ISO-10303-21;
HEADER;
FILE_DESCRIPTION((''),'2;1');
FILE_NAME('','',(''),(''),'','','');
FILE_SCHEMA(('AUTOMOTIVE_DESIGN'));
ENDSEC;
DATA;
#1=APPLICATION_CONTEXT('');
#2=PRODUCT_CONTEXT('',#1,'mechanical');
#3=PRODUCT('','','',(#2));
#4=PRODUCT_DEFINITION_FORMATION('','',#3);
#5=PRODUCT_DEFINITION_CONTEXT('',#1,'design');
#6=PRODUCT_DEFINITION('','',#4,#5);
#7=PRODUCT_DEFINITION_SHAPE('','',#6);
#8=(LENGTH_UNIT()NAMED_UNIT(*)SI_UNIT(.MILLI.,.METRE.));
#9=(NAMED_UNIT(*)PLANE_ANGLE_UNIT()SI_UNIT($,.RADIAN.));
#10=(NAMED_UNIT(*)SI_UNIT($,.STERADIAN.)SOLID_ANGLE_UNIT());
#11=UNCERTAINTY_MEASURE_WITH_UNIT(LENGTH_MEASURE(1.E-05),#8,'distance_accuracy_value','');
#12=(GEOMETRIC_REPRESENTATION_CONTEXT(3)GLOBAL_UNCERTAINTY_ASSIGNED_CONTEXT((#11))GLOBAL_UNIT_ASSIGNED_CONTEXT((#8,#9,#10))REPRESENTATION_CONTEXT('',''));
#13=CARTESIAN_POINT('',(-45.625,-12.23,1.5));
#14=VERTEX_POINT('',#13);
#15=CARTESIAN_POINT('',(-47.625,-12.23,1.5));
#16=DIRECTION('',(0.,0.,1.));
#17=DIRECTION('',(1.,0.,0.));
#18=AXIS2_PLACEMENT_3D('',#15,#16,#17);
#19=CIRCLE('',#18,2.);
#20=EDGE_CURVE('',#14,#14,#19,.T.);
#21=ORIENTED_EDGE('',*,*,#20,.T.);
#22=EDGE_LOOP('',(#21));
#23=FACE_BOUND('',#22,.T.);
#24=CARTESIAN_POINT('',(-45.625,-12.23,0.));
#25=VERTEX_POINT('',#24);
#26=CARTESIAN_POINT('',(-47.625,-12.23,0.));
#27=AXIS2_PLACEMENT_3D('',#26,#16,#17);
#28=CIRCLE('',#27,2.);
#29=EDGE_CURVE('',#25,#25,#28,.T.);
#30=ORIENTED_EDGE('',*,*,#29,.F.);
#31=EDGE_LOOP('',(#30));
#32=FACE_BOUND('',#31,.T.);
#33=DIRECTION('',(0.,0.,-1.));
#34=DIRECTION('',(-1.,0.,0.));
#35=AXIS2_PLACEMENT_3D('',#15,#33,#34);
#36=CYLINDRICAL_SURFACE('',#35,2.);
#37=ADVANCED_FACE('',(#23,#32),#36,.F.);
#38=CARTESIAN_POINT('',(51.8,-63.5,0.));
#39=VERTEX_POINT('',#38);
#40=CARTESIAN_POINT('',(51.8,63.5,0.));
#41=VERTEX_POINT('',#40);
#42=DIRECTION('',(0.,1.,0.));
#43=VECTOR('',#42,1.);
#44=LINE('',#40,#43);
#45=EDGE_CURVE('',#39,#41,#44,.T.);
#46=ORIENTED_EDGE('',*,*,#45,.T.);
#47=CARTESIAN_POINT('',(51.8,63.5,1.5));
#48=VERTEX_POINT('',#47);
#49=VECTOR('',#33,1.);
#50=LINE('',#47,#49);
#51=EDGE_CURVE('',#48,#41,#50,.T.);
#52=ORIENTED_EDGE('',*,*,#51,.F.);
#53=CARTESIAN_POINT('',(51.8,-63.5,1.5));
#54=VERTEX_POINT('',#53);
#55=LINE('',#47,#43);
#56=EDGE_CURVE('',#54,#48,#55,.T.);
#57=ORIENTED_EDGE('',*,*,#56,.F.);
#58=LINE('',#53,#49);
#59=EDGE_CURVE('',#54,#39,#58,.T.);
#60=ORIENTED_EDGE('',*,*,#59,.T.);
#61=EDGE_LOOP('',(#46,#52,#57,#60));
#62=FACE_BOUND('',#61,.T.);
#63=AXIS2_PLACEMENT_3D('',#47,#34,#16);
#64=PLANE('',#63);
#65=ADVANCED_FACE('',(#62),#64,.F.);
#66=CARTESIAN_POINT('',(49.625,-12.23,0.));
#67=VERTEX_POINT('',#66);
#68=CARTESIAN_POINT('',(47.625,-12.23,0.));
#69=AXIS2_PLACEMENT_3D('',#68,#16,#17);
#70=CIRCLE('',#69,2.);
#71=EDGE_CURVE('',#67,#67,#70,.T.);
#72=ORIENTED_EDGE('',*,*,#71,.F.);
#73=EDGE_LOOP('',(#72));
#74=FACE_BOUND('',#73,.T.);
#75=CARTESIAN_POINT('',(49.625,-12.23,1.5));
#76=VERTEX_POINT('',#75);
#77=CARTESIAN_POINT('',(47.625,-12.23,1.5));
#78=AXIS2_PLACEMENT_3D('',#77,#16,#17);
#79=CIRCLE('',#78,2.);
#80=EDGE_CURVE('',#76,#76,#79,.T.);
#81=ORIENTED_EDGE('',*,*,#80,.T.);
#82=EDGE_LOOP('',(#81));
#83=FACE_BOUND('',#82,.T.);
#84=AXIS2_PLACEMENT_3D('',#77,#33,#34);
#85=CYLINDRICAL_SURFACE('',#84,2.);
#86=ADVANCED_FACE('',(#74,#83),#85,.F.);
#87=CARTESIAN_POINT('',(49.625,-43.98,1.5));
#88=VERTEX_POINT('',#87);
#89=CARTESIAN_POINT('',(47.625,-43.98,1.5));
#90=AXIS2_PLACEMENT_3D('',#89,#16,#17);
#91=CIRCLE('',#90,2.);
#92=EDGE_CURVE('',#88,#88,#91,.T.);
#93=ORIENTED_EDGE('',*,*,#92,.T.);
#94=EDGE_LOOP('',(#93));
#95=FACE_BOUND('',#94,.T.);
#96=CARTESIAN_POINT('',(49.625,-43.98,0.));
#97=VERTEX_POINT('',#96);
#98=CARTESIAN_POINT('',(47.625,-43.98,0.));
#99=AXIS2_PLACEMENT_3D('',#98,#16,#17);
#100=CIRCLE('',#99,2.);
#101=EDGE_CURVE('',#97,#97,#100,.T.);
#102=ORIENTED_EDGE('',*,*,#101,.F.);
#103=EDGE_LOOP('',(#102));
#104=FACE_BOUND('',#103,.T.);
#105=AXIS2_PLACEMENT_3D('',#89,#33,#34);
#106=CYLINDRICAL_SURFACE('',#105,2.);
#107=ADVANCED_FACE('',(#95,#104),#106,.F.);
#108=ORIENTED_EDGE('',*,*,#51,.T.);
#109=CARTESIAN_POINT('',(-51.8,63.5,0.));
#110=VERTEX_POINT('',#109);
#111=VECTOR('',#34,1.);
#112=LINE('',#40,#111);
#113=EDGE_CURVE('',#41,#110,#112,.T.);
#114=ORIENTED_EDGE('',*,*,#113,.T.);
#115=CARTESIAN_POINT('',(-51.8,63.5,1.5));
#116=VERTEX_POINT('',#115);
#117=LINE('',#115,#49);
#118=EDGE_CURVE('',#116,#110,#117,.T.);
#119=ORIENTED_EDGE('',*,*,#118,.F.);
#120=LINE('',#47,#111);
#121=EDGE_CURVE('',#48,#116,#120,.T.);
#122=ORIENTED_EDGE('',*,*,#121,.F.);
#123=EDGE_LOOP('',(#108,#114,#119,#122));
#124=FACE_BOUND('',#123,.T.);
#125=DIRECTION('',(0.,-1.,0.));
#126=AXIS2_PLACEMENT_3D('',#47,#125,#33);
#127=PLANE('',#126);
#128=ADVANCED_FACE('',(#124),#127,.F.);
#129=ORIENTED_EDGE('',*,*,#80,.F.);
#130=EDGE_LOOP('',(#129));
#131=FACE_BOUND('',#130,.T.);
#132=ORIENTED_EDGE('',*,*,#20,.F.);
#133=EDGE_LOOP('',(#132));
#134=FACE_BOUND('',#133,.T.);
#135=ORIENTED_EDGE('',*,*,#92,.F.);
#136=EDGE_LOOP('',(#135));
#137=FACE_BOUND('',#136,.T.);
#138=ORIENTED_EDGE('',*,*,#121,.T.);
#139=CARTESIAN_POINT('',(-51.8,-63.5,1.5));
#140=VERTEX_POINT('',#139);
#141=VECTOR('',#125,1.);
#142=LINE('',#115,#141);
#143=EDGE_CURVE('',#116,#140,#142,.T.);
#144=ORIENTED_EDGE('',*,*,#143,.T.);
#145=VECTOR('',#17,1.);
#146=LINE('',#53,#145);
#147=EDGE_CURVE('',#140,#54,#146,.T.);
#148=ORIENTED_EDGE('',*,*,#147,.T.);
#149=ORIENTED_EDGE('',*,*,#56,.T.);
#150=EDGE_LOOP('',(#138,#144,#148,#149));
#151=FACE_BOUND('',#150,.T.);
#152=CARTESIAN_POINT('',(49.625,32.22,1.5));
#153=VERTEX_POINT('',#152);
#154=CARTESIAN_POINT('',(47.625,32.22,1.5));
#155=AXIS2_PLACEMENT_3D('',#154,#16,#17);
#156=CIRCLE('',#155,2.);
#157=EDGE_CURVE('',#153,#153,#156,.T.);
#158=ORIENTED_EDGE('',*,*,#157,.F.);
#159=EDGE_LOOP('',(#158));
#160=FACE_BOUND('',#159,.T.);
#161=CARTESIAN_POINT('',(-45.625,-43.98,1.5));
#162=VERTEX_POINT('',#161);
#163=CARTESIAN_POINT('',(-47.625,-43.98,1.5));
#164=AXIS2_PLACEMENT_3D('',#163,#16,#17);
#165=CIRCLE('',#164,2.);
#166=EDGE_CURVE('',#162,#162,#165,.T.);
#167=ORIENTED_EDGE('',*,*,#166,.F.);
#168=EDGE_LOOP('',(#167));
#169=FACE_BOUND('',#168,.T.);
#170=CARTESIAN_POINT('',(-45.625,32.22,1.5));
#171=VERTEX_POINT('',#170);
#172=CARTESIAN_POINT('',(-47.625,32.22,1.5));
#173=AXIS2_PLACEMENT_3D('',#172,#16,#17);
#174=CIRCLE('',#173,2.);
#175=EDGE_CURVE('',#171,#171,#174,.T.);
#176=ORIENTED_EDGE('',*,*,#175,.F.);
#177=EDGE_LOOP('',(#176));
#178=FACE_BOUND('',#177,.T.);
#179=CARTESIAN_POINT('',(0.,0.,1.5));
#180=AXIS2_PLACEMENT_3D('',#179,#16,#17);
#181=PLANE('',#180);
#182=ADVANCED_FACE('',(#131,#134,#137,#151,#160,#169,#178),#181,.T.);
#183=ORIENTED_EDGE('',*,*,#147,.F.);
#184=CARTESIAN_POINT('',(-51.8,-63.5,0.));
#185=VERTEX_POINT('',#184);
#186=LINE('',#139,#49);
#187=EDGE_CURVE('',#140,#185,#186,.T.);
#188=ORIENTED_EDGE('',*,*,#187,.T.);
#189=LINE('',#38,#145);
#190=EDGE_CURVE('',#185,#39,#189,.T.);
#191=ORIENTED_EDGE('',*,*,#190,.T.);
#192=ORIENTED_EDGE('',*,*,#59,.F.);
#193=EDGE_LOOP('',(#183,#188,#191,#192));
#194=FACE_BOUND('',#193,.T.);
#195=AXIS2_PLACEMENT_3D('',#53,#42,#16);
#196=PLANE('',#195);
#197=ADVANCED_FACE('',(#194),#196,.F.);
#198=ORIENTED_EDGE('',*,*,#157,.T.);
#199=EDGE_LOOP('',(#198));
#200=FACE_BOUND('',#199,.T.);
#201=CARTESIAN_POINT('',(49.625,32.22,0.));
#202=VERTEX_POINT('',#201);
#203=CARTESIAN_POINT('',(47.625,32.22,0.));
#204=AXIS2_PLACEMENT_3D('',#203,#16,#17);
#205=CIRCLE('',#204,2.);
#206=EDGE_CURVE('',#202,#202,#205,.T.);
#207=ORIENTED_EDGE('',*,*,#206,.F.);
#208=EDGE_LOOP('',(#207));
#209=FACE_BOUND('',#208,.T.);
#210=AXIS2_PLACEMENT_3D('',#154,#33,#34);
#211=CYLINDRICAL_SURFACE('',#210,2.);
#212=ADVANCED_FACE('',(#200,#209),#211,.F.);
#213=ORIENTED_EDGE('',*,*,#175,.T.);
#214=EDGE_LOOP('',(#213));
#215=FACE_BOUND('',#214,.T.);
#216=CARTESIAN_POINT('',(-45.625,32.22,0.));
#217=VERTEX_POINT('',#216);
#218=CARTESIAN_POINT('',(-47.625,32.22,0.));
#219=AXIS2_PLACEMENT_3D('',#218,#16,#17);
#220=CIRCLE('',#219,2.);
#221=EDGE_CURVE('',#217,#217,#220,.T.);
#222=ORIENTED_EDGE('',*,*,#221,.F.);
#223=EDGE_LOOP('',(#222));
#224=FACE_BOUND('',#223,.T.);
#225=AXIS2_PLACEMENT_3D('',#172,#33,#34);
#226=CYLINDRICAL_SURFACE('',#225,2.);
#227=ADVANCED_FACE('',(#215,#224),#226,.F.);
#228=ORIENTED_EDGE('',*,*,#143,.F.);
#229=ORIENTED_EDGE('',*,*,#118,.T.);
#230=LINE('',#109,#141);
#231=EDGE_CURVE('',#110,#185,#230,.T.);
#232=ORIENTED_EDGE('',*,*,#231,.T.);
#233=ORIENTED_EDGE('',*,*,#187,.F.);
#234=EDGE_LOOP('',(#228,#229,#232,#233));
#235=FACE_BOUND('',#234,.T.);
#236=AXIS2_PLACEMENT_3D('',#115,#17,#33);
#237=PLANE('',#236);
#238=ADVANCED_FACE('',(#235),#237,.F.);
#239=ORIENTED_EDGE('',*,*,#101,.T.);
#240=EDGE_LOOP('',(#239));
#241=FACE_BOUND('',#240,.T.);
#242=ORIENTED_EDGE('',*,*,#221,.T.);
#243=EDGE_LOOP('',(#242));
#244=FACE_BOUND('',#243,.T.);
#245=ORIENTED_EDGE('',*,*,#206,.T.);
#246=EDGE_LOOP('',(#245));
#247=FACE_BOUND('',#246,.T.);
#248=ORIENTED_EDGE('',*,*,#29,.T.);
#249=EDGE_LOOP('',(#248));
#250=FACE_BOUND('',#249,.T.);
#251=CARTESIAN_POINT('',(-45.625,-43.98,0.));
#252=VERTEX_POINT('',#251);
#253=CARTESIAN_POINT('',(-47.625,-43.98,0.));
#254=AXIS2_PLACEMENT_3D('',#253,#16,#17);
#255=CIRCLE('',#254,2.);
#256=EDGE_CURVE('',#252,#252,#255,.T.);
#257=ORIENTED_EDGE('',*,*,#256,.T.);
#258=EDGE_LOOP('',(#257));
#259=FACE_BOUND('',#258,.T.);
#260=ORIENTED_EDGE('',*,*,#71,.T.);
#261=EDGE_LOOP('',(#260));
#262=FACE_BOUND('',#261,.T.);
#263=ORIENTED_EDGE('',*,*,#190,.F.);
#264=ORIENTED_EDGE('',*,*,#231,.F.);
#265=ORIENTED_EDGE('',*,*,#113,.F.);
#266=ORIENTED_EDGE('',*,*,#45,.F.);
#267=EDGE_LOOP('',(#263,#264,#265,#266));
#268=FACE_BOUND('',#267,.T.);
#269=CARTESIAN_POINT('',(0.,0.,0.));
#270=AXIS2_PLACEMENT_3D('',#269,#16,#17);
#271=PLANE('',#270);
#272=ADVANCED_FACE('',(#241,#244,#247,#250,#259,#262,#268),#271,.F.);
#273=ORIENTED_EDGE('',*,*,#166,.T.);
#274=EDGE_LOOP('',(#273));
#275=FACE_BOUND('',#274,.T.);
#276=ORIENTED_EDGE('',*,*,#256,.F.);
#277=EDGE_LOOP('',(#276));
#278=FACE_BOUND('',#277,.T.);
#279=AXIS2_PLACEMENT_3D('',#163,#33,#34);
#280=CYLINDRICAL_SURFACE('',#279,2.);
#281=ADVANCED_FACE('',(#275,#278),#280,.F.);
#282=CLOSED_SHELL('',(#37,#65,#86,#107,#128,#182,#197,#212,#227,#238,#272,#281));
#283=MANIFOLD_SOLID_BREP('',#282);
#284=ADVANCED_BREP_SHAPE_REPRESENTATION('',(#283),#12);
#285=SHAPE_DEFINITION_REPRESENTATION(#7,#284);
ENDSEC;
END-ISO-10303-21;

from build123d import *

# Parameters (mm, degrees)
SKETCH1_W           = 127
SKETCH1_H           = 103.6
SKETCH1_R           = 2
BOSS_EXTRUDE1_DEPTH = 1.5


with BuildPart() as part:
    # Sketch1 → Boss-Extrude1 (new body)
    with BuildSketch(Plane(origin=(0, 0, 0), x_dir=(0, 1, 0), z_dir=(0, 0, 1))):
        Rectangle(SKETCH1_W, SKETCH1_H)
        with Locations(Location((-43.98, 47.625, 0), (0, 0, 270))):
            Circle(SKETCH1_R, mode=Mode.SUBTRACT)
        with Locations(Location((-12.23, 47.625, 0), (0, 0, 270))):
            Circle(SKETCH1_R, mode=Mode.SUBTRACT)
        with Locations(Location((32.22, 47.625, 0), (0, 0, 270))):
            Circle(SKETCH1_R, mode=Mode.SUBTRACT)
        with Locations(Location((-43.98, -47.625, 0), (0, 0, 270))):
            Circle(SKETCH1_R, mode=Mode.SUBTRACT)
        with Locations(Location((-12.23, -47.625, 0), (0, 0, 270))):
            Circle(SKETCH1_R, mode=Mode.SUBTRACT)
        with Locations(Location((32.22, -47.625, 0), (0, 0, 270))):
            Circle(SKETCH1_R, mode=Mode.SUBTRACT)
    extrude(amount=BOSS_EXTRUDE1_DEPTH)


solid = part.part
